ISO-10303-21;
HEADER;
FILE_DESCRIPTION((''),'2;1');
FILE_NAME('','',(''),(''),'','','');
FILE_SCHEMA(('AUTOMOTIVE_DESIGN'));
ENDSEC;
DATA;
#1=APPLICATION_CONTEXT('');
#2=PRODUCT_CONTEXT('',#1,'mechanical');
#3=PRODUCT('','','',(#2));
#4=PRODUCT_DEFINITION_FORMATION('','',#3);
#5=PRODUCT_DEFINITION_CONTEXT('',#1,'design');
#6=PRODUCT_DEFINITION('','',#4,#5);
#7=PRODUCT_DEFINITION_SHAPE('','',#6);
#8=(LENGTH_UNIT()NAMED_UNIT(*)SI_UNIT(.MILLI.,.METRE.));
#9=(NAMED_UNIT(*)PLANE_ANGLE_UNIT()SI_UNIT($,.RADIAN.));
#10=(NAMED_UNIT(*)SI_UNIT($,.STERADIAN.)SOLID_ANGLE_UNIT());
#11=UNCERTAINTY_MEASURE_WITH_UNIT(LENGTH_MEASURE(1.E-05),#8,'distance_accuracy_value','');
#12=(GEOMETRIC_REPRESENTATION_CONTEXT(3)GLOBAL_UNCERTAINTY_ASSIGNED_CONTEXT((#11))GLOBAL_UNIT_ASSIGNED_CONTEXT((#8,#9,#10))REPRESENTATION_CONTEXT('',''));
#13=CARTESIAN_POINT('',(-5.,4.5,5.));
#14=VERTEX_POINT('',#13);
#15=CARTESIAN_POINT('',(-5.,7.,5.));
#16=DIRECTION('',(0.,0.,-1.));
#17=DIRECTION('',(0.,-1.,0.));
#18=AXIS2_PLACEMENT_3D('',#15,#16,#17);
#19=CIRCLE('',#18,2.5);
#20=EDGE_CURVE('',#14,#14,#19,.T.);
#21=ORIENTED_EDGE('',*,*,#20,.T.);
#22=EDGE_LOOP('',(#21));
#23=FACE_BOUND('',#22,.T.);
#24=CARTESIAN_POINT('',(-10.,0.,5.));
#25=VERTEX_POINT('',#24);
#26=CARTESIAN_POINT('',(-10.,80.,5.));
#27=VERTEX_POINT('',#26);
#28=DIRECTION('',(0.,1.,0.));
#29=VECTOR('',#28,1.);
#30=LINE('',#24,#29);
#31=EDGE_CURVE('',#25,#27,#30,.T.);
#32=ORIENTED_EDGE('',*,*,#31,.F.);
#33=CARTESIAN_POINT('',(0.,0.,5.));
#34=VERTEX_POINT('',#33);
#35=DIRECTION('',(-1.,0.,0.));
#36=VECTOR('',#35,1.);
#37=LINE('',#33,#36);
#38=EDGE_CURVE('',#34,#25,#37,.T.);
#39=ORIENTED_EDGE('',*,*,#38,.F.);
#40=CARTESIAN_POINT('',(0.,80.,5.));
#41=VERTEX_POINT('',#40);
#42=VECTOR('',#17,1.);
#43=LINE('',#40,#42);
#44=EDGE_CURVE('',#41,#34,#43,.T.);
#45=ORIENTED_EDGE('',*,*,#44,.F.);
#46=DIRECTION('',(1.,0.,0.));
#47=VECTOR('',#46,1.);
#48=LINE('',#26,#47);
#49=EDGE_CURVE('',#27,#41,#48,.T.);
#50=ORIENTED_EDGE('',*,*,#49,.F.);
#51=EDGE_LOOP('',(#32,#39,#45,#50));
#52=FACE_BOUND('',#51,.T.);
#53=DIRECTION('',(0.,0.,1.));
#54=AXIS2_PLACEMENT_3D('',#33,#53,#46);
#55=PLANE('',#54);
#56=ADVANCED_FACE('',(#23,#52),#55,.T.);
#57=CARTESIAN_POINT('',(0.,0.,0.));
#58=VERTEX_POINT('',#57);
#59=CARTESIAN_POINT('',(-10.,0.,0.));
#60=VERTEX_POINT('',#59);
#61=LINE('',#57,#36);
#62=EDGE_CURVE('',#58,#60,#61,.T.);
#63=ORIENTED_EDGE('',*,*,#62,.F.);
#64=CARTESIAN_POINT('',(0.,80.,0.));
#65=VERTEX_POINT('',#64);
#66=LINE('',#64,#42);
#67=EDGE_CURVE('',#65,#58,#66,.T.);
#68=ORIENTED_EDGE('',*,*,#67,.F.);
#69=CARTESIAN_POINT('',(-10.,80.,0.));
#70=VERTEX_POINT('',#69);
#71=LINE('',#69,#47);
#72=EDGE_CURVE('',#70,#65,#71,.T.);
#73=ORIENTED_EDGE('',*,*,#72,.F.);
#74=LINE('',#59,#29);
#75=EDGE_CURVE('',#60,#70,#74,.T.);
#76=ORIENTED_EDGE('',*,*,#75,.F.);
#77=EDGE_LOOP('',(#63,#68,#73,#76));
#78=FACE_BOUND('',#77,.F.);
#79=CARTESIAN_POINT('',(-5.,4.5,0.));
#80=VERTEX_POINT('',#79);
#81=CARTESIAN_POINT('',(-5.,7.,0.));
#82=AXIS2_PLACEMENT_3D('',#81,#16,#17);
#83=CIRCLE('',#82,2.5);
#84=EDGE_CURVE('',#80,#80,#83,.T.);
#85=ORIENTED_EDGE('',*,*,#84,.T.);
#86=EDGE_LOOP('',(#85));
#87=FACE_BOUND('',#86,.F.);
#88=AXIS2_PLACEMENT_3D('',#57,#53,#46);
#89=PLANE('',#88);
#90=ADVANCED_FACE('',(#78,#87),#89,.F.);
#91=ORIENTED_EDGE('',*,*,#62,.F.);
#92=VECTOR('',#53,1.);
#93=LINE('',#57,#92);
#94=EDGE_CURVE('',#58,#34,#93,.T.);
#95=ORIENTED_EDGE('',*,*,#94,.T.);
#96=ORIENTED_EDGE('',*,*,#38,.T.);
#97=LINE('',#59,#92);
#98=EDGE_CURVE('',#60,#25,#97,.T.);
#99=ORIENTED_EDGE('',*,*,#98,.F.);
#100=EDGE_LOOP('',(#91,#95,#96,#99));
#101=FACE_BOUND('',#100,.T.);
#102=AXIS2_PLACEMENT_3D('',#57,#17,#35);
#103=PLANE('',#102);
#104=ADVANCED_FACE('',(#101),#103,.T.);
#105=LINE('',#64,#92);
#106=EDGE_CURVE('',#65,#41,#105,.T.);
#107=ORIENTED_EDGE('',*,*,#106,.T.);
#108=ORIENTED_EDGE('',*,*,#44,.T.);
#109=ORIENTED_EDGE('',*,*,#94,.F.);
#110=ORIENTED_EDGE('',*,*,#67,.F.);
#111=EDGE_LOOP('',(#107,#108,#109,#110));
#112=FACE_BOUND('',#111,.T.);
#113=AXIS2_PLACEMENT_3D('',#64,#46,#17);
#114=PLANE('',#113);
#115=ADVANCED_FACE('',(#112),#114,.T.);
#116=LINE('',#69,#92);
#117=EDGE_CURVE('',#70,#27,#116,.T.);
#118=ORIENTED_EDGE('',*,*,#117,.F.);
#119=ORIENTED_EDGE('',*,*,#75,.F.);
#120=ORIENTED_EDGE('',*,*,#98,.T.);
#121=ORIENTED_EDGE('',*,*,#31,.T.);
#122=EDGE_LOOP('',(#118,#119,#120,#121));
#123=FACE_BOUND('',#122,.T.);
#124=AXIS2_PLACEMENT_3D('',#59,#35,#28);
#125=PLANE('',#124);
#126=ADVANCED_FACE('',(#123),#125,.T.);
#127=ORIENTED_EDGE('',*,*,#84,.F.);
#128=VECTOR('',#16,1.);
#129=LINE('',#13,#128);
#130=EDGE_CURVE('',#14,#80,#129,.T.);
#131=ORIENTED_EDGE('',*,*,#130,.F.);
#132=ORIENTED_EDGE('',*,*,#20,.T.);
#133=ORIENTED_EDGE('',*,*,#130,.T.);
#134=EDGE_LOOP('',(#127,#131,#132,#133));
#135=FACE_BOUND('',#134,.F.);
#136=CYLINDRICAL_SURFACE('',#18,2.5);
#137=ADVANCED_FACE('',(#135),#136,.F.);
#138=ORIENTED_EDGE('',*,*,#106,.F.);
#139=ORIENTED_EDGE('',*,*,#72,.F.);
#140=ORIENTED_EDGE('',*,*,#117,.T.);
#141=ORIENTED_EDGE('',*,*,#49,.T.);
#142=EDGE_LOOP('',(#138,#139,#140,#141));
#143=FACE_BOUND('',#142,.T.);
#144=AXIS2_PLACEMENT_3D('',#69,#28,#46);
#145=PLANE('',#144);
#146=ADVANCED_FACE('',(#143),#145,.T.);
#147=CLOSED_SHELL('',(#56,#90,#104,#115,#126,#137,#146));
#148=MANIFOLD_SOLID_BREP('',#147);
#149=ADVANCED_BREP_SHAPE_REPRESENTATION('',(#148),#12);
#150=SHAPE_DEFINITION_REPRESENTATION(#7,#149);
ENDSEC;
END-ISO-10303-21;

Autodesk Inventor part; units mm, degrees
ref_plane "YZ Plane" through (0, 0, 0) normal (1, 0, 0) x (0, 1, 0)
ref_plane "XZ Plane" through (0, 0, 0) normal (0, 1, 0) x (-1, 0, 0)
ref_plane "XY Plane" through (0, 0, 0) normal (0, 0, 1) x (1, 0, 0)
sketch "Sketch2" plane through (0, 0, 0) normal (0, 0, 1) x (1, 0, 0)
  line L0 (0, 0) -> (-10, 0)
  line L1 (-10, 0) -> (-10, 80)
  line L2 (-10, 80) -> (0, 80)
  line L3 (0, 80) -> (0, 0)
  point P0 (-5, 18)
  dimension "d4" = 10
  dimension "d5" = 80
extrude "Extrusion2" add sketch "Sketch2" along normal blind 5
sketch "Sketch3" plane through (0, 0, 5) normal (0, 0, 1) x (1, 0, 0)
  point P0 (0, 0)
  point P1 (-5, 7)
hole "Hole2" at (-5, 7, 5) direction (0, 0, -1) diameter 5 depth 5
properties part number "Circle_TestFit_V1"
